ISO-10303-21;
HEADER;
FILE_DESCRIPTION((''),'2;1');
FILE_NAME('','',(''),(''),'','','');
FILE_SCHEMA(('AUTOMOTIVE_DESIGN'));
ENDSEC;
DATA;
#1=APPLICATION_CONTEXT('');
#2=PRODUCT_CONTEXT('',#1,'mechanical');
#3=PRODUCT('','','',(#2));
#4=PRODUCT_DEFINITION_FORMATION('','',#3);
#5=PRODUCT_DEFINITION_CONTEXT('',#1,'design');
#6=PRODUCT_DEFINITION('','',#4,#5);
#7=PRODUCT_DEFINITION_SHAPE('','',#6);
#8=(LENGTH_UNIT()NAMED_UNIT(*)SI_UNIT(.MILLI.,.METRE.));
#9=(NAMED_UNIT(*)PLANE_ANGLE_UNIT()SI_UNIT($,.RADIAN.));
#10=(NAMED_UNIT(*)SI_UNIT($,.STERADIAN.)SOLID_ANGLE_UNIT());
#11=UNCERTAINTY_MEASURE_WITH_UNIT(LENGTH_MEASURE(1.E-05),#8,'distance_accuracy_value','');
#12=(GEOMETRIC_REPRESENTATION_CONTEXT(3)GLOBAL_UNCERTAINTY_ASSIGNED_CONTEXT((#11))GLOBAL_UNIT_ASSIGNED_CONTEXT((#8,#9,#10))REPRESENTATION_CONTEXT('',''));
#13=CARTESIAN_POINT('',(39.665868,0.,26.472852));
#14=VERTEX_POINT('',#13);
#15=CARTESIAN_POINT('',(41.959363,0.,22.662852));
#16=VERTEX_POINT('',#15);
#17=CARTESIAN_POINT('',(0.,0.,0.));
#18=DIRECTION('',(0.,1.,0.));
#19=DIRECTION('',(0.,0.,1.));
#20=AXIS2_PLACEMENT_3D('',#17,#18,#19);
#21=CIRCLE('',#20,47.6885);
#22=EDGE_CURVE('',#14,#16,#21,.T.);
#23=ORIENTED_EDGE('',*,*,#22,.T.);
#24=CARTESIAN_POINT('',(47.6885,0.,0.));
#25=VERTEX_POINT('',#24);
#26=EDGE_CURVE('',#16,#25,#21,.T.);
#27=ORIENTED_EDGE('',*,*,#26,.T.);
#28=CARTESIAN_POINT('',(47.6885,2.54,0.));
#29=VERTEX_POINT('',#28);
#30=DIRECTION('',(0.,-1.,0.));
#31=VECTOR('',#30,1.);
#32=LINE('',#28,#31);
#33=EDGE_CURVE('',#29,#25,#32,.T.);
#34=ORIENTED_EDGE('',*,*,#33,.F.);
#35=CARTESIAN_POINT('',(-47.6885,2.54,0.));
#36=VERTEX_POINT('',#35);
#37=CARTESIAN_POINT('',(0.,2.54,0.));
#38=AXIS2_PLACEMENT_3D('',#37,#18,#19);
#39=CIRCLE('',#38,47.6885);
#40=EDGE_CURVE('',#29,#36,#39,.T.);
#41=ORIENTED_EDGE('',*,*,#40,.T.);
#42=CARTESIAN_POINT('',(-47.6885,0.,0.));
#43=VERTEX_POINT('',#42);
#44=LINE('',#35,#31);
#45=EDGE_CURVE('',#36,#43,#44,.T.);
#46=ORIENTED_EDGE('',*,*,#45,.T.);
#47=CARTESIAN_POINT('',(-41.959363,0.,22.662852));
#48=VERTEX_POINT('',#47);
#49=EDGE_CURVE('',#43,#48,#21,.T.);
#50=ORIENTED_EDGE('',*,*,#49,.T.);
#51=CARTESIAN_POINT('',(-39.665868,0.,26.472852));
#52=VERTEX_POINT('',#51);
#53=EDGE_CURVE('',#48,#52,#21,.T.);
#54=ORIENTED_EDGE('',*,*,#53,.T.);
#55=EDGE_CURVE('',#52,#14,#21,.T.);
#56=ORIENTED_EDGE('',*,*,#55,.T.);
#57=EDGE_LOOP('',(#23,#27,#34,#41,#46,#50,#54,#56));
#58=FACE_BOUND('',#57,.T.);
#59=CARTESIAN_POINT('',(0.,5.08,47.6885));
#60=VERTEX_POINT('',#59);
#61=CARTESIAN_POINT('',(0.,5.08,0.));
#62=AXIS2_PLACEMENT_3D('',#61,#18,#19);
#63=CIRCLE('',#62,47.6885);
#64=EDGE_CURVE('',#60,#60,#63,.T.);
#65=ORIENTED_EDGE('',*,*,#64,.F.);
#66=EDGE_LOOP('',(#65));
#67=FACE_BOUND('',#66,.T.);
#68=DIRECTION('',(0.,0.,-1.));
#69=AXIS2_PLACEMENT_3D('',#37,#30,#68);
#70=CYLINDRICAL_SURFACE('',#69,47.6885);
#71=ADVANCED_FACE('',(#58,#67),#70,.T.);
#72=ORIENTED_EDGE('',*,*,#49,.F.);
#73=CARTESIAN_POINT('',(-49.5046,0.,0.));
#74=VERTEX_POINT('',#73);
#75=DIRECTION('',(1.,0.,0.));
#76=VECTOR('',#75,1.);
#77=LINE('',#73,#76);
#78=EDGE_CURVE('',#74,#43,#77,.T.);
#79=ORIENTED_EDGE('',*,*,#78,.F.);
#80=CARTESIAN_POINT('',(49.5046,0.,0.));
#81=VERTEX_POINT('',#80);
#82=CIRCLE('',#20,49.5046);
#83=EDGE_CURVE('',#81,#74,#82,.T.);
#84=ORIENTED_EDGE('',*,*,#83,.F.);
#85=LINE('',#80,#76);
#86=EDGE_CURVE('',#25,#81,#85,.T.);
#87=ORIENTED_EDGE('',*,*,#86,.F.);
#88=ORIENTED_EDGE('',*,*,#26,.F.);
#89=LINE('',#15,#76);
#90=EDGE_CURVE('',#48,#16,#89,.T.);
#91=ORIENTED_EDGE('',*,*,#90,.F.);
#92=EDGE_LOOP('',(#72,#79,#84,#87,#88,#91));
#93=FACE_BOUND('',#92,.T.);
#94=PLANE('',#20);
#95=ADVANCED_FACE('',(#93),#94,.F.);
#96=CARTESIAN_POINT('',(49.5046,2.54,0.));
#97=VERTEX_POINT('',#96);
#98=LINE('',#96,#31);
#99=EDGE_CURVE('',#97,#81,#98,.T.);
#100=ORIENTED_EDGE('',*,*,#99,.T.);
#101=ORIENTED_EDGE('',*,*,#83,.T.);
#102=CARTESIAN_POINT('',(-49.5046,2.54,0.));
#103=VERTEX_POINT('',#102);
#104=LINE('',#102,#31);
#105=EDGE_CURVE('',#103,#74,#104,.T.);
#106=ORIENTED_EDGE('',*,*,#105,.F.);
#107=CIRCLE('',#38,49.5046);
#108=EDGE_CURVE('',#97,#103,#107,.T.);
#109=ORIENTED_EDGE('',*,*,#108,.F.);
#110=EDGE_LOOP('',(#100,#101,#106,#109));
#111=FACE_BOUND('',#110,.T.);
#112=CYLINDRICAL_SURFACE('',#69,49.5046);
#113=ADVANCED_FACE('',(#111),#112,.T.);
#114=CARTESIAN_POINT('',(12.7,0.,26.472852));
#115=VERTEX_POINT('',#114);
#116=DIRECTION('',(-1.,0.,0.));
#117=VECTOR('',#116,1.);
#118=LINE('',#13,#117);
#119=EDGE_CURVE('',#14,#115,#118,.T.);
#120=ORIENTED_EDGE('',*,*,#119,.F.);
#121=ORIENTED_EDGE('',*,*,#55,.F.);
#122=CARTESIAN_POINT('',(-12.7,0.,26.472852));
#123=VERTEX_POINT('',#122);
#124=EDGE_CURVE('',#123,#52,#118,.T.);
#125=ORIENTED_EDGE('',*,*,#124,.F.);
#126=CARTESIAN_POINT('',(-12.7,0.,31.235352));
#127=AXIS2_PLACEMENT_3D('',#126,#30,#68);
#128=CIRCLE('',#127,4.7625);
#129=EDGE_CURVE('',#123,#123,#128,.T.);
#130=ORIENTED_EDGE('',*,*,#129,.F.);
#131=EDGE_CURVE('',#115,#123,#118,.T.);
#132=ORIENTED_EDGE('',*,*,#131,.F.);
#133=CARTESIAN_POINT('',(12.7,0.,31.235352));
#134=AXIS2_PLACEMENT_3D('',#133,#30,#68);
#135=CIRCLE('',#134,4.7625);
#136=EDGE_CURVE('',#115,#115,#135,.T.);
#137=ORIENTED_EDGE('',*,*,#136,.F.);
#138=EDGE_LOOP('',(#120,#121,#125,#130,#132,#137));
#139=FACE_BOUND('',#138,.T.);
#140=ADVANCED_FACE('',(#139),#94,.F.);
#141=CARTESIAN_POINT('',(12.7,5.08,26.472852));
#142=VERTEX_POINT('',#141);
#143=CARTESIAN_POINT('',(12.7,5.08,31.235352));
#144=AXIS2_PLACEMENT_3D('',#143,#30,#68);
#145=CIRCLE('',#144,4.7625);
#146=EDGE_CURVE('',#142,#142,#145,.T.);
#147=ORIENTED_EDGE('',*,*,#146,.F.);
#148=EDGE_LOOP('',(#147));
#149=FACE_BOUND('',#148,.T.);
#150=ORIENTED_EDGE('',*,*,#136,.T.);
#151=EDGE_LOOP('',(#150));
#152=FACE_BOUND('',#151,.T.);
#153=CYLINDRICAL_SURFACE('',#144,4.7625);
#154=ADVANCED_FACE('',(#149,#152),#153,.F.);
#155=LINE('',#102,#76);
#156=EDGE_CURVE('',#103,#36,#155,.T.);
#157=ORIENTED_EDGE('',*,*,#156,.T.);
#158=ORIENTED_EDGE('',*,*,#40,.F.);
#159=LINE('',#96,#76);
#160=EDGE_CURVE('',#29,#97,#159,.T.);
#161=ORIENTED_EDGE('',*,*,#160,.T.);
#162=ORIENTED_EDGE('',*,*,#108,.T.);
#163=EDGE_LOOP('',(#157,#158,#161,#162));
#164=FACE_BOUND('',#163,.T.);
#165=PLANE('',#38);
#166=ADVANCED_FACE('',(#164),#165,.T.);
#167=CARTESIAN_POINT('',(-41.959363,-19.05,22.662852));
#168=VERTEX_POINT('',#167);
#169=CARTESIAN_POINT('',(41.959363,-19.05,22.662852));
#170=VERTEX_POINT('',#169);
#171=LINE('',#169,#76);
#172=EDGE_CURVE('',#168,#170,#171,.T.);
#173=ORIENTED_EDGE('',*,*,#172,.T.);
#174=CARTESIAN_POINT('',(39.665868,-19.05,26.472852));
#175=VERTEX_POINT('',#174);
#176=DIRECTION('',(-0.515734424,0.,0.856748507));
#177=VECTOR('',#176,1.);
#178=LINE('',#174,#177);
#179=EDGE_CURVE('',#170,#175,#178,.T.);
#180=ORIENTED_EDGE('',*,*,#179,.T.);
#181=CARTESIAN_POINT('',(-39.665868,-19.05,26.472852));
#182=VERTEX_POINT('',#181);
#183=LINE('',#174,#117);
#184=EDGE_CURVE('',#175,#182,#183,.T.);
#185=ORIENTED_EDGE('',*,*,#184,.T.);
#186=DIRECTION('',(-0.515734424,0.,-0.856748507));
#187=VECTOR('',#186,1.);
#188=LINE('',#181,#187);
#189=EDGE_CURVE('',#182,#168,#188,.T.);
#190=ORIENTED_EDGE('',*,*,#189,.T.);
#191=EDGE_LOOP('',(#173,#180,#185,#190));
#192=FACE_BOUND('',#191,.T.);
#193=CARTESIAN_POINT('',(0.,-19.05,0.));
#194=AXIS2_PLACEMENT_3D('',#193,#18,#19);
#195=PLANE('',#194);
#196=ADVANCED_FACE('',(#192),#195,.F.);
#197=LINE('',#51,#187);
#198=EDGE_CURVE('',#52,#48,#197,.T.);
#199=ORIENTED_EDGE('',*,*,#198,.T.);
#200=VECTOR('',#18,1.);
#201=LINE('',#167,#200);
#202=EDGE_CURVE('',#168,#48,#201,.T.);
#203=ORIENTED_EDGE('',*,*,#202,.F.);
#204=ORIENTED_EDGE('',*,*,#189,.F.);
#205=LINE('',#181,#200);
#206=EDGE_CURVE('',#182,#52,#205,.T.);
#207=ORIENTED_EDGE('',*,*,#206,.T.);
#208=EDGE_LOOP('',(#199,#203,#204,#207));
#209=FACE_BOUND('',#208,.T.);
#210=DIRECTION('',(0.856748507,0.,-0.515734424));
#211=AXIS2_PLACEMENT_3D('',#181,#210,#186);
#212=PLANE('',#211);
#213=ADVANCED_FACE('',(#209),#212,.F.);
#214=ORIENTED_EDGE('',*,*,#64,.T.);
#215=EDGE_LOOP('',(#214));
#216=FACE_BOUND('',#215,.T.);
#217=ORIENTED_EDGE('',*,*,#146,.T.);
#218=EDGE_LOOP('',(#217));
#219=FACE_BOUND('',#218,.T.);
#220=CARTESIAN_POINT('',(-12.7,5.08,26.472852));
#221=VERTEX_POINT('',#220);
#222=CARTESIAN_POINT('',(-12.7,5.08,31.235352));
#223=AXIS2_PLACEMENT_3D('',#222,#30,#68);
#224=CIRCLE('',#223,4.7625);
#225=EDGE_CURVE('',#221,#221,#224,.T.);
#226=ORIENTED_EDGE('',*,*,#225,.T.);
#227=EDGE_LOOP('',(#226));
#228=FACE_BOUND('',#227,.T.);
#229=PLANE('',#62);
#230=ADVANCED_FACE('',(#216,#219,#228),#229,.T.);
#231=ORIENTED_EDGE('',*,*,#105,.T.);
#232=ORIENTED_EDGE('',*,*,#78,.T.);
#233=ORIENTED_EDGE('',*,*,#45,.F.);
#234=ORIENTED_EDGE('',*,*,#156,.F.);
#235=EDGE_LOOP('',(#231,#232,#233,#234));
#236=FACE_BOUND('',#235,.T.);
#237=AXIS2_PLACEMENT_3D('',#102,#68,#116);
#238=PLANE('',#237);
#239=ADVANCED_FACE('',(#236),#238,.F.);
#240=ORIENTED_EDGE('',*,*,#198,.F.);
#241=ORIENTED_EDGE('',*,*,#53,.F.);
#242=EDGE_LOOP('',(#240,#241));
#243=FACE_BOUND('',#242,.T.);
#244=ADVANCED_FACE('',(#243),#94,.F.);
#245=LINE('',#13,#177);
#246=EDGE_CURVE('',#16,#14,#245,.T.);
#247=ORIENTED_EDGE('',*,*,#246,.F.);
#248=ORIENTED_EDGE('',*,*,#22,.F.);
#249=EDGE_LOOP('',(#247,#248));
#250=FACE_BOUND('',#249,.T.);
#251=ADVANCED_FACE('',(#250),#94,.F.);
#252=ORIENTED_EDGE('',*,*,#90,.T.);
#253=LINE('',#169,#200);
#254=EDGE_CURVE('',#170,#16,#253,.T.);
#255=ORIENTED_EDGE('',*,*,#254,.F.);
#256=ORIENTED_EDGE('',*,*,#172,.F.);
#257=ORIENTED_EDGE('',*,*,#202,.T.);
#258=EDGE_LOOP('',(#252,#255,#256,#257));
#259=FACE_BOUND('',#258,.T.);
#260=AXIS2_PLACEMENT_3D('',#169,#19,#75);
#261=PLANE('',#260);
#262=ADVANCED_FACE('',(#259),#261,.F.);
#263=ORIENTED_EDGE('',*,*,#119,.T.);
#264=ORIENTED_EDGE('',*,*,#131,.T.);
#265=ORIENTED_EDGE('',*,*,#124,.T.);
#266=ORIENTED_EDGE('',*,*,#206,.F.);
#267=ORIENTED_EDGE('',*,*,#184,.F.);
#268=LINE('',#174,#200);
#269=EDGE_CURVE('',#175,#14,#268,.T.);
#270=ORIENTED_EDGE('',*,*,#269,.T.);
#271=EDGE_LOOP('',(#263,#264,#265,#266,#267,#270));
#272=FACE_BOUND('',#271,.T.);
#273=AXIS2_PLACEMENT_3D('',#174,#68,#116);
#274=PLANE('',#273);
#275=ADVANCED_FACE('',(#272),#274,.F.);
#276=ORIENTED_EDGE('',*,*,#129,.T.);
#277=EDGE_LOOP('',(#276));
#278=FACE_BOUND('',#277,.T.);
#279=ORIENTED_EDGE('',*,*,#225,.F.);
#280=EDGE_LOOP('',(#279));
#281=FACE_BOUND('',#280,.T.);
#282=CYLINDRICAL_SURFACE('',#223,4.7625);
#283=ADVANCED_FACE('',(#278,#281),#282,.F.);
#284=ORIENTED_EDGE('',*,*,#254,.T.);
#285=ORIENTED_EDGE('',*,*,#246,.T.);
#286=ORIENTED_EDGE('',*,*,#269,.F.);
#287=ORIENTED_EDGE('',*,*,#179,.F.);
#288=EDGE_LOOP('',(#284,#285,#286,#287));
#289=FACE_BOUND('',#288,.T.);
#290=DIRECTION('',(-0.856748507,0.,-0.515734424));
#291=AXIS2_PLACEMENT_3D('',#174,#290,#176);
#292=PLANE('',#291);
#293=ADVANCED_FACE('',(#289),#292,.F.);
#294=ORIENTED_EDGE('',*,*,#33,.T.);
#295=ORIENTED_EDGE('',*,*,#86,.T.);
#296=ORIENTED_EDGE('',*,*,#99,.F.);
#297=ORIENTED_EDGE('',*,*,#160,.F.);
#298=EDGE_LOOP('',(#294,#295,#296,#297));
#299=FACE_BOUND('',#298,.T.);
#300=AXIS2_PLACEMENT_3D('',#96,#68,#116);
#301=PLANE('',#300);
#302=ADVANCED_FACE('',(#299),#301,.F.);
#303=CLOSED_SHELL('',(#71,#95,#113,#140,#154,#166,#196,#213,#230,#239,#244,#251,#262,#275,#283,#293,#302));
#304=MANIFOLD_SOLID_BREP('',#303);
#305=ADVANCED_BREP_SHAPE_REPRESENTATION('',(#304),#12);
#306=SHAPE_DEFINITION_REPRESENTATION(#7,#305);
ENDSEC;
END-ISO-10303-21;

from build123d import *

# Parameters (mm, degrees)
BOSS_EXTRUDE1_DEPTH = 2.54
SKETCH2_R           = 47.6885
BOSS_EXTRUDE2_DEPTH = 2.54
SKETCH3_R           = 4.7625
CUT_EXTRUDE1_DEPTH  = 5.08
BOSS_EXTRUDE4_DEPTH = 19.05


with BuildPart() as part:
    # Sketch1 → Boss-Extrude1 (new body)
    with BuildSketch(Plane(origin=(0, 0, 0), x_dir=(1, 0, 0), z_dir=(0, 1, 0))):
        with BuildLine():
            Line((-49.5046, 0), (-47.6885, 0))
            ThreePointArc((-47.6885, 0), (0, -47.6885), (47.6885, 0))
            Line((47.6885, 0), (49.5046, 0))
            ThreePointArc((49.5046, 0), (0, 49.5046), (-49.5046, 0))
        make_face()
    extrude(amount=BOSS_EXTRUDE1_DEPTH)

    # Sketch2 → Boss-Extrude2 (add)
    with BuildSketch(Plane(origin=(0, 2.54, 0), x_dir=(1, 0, 0), z_dir=(0, 1, 0))):
        Circle(SKETCH2_R)
    extrude(amount=BOSS_EXTRUDE2_DEPTH)

    # Sketch3 → Cut-Extrude1 (cut)
    with BuildSketch(Plane.XZ):
        with Locations(Location((12.7, 31.235352443, 0), (0, 0, 270))):
            Circle(SKETCH3_R)
        with Locations(Location((-12.7, 31.235352443, 0), (0, 0, 270))):
            Circle(SKETCH3_R)
    extrude(amount=-CUT_EXTRUDE1_DEPTH, mode=Mode.SUBTRACT)

    # Sketch4 → Boss-Extrude4 (add)
    with BuildSketch(Plane.XZ):
        Polygon((41.959363096, 22.662852443), (-41.959363096, 22.662852443), (-39.665868398, 26.472852443), (39.665868398, 26.472852443), align=None)
    extrude(amount=BOSS_EXTRUDE4_DEPTH)


solid = part.part
